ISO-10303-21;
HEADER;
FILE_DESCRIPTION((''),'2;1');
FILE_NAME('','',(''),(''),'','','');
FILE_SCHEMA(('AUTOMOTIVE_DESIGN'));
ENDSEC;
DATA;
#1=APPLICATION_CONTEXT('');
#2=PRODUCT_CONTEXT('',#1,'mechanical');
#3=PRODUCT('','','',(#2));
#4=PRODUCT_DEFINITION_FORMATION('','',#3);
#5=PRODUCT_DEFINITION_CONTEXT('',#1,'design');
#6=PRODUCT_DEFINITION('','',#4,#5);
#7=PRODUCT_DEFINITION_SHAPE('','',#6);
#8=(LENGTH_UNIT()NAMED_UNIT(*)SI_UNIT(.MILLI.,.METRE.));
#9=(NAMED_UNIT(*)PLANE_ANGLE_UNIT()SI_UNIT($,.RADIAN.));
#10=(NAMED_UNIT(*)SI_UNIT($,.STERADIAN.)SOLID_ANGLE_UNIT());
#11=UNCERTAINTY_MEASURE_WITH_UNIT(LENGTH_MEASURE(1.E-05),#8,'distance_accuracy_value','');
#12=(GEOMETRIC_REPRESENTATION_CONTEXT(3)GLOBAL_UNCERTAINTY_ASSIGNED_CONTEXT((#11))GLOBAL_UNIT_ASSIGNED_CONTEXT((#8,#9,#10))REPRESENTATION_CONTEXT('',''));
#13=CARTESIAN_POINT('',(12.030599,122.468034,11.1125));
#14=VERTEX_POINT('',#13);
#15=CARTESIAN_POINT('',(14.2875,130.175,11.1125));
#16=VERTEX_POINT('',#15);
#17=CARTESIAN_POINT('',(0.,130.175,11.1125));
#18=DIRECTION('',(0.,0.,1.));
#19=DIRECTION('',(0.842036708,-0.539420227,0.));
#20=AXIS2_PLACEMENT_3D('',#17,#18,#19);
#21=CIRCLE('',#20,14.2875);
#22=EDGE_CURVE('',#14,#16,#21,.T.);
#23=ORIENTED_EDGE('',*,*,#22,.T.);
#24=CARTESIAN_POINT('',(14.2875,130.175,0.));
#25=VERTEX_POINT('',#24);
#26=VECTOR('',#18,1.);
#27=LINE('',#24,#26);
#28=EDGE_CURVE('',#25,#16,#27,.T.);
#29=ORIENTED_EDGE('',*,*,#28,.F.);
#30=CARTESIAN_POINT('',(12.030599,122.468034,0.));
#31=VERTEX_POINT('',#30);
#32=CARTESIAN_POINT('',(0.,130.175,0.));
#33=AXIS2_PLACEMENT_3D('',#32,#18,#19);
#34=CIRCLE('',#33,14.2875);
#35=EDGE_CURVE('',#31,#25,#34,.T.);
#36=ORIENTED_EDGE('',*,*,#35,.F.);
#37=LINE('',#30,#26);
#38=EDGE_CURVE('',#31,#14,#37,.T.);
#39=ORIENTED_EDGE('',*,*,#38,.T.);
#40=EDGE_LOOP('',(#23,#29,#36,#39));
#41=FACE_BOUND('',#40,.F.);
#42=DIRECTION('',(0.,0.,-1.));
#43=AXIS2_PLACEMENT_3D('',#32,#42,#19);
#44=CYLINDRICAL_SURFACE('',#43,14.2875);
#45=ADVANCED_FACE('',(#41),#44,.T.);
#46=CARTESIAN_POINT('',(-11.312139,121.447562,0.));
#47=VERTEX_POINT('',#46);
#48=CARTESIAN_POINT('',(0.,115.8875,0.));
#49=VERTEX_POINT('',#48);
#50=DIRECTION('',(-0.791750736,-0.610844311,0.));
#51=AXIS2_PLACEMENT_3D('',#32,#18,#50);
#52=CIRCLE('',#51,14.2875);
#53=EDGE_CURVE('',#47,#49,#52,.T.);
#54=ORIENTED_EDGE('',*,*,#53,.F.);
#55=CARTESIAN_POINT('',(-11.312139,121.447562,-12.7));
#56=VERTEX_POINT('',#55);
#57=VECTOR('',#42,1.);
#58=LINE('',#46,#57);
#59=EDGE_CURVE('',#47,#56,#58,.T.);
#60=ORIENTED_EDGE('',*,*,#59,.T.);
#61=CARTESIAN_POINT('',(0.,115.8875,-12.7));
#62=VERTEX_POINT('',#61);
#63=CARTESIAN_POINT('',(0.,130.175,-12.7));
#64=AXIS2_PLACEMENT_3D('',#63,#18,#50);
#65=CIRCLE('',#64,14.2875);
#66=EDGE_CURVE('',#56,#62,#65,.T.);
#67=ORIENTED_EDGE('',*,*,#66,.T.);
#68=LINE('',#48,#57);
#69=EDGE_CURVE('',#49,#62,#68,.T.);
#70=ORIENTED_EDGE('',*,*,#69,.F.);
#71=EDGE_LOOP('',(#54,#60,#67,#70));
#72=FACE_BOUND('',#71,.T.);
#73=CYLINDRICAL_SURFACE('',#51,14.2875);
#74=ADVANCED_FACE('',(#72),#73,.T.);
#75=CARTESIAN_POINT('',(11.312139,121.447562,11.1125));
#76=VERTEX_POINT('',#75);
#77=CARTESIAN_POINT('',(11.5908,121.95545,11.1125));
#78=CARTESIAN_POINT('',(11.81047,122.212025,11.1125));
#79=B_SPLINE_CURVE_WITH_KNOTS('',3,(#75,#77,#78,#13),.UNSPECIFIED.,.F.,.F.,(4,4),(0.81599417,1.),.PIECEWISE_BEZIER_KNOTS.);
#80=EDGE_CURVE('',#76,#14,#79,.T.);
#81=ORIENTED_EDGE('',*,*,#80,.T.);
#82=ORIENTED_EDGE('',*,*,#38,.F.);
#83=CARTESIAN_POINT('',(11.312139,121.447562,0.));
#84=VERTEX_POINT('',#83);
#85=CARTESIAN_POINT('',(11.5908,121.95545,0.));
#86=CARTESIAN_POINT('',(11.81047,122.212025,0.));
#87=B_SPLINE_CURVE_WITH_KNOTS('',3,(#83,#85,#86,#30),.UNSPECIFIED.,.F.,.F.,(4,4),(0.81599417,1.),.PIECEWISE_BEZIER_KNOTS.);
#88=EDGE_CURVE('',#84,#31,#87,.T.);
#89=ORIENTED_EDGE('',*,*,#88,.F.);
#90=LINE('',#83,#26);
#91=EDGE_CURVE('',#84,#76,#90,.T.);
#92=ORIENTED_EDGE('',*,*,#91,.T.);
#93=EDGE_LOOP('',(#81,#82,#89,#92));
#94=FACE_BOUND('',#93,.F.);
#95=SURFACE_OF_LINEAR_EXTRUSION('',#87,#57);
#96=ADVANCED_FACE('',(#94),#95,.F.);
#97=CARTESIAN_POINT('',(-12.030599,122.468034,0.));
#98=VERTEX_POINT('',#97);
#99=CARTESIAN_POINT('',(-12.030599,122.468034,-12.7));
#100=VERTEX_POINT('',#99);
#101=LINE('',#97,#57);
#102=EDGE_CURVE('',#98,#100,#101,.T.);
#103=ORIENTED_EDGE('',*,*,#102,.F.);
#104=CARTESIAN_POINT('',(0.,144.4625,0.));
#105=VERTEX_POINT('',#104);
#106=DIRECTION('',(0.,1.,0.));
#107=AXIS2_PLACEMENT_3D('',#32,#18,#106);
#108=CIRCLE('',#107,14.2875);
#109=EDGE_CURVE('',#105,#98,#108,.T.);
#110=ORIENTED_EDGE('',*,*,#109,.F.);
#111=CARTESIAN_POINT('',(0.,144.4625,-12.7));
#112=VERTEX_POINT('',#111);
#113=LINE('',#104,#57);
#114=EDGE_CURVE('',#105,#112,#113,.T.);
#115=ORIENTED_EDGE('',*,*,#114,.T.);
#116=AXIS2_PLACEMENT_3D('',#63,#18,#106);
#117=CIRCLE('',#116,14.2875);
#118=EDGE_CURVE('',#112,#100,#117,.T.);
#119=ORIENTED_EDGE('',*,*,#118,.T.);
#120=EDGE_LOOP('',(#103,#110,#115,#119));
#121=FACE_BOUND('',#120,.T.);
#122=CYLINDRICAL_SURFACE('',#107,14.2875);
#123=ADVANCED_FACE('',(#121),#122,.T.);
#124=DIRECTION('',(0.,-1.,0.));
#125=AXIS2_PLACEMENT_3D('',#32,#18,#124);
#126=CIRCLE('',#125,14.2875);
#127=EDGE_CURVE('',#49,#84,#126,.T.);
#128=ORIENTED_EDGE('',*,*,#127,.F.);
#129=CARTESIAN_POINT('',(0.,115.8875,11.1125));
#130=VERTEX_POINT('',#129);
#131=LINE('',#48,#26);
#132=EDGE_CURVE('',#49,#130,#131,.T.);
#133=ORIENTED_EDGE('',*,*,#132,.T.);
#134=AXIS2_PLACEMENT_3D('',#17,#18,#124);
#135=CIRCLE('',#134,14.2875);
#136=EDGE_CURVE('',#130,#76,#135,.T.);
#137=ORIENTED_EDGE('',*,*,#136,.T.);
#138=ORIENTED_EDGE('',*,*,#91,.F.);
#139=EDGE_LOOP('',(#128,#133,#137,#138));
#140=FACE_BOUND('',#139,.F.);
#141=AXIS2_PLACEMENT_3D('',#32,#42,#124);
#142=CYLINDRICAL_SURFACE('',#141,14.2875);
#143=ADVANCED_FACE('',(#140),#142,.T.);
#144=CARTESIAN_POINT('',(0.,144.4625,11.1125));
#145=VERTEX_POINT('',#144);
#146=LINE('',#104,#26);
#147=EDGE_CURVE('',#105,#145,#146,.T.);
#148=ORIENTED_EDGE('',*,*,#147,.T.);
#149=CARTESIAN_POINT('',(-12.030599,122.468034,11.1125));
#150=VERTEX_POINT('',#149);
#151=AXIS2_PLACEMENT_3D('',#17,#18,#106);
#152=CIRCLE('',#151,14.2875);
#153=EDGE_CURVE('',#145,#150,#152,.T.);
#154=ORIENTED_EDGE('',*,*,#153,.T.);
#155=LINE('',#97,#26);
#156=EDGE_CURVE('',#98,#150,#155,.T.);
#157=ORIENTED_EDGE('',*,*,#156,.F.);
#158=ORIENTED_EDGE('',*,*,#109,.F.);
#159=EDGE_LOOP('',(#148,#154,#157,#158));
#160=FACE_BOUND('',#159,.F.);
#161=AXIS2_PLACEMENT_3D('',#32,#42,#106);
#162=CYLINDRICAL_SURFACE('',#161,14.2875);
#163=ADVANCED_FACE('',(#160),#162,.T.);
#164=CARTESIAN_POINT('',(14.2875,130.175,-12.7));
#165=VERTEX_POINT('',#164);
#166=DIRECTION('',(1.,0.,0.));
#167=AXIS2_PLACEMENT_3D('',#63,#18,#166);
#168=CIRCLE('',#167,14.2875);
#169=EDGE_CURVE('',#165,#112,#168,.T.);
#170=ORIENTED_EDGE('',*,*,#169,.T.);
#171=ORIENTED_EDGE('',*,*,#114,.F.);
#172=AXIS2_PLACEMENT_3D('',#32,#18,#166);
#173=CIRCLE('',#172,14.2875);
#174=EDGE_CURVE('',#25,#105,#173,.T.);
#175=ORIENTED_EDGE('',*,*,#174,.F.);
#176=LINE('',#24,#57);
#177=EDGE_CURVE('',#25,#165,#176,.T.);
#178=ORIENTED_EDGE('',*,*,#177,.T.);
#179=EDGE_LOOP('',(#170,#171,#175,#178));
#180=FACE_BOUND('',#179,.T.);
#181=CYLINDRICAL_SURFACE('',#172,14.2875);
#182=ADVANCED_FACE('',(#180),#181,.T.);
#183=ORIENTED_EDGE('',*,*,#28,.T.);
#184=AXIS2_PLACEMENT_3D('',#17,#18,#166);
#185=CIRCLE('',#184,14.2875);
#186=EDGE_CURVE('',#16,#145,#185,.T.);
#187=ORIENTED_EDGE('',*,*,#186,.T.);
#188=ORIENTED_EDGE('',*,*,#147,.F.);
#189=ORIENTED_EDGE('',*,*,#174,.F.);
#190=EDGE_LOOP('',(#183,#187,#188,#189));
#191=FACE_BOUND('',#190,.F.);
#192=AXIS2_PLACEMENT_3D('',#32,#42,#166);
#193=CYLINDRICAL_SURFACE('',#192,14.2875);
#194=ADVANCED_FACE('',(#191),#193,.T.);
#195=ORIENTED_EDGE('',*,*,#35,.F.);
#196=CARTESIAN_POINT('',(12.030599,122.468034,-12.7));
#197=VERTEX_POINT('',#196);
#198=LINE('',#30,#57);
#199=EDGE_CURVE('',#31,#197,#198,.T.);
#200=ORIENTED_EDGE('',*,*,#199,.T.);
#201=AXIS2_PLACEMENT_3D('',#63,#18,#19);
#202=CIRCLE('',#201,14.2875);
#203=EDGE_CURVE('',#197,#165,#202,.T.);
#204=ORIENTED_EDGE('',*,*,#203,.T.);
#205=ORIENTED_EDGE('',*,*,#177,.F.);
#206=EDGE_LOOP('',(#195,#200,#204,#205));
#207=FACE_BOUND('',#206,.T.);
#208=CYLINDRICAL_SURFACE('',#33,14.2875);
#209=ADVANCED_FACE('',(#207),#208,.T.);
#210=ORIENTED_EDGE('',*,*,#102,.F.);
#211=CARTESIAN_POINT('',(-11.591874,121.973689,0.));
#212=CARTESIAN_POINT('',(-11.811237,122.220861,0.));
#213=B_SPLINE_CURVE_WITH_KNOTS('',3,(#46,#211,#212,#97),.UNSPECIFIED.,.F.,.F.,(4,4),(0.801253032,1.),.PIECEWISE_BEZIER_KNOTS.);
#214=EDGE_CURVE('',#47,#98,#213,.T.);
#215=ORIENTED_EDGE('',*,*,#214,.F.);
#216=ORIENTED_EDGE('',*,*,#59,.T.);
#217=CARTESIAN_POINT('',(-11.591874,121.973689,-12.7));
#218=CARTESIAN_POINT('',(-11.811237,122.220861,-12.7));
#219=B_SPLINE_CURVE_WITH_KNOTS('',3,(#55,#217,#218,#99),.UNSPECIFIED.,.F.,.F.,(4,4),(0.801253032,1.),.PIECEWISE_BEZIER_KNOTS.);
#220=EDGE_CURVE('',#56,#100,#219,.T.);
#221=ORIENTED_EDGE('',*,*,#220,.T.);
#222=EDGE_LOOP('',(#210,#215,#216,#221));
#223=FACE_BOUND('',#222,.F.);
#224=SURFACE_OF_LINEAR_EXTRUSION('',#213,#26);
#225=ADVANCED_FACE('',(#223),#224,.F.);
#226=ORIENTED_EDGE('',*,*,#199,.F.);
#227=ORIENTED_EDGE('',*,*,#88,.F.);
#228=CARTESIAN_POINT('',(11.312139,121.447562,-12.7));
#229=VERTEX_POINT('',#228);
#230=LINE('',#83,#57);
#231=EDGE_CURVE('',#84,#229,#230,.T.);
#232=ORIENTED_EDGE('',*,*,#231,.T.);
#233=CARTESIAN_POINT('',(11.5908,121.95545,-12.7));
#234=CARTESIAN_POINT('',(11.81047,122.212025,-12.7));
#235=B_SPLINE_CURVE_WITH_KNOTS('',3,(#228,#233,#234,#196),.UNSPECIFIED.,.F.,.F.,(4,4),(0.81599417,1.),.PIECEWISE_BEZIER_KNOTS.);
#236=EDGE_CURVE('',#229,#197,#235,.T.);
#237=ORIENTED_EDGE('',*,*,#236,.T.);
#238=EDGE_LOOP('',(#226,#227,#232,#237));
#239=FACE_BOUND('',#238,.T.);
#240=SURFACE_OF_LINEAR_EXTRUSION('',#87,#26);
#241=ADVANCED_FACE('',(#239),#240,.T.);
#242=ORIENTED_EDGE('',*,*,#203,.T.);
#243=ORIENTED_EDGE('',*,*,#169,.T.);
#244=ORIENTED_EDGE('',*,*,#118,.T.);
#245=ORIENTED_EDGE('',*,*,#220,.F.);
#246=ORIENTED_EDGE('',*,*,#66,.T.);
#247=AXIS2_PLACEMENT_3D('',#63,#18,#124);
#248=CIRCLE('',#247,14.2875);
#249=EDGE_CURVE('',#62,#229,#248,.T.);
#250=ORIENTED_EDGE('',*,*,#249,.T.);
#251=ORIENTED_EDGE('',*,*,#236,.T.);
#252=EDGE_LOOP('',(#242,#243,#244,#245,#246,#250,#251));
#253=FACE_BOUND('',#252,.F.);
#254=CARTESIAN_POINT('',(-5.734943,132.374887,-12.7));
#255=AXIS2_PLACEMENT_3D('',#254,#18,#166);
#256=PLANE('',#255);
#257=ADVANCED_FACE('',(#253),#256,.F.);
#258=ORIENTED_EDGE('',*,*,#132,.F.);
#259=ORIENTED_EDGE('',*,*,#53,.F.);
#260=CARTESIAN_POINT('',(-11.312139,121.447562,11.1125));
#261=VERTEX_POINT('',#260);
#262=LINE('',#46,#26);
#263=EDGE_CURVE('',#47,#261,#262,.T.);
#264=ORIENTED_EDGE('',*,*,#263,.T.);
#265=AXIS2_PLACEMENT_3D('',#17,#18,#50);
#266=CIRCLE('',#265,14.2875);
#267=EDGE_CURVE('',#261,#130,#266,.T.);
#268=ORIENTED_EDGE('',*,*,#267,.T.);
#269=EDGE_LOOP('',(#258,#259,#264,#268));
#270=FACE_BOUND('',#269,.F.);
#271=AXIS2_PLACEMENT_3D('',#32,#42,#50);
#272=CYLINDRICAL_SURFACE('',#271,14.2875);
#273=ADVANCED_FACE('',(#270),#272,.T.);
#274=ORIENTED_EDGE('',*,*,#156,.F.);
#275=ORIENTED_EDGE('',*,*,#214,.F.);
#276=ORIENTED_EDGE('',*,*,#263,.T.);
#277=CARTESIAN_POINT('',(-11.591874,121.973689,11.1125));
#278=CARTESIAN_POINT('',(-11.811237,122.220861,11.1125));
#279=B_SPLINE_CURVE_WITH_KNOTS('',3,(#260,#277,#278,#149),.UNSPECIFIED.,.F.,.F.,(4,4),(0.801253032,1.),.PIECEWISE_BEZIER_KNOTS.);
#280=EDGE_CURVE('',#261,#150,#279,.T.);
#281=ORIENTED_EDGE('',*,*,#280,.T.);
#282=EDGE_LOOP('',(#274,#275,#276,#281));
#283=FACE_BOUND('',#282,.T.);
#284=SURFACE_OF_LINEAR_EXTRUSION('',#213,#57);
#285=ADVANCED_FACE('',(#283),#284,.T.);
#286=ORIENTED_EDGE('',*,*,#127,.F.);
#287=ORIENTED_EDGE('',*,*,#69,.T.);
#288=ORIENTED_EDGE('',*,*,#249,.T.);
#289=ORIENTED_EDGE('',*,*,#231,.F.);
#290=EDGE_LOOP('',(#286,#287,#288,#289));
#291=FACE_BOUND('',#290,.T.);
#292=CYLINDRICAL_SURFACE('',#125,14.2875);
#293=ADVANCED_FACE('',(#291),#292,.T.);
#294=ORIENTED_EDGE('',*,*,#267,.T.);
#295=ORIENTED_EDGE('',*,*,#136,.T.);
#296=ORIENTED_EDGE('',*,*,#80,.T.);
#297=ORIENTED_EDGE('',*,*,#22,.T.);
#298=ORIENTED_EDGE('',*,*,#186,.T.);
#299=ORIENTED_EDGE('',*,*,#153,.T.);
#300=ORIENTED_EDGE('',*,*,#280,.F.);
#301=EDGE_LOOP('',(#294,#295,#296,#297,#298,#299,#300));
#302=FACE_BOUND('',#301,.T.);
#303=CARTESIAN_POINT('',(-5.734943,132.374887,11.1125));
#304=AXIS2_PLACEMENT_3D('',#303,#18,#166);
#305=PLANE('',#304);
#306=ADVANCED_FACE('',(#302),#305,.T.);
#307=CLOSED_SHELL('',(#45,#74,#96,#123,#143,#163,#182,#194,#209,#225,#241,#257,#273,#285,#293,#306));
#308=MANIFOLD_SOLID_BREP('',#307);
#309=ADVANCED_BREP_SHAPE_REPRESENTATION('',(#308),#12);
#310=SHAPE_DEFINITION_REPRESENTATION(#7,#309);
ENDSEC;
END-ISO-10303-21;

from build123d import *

# Parameters (mm, degrees)
F1_DEPTH      = 11.1125
F1_DEPTH_BACK = 12.7


with BuildPart() as f1:
    # F0 (on Top) → F1 (new body, two sides)
    with BuildSketch(Plane.XY) as f1_sk:
        with BuildLine():
            Line((-12.0305994716, 122.4680335018), (0, 122.4680335018))
            Line((0, 122.4680335018), (0, 130.175))
            Line((0, 130.175), (0, 144.4625))
            ThreePointArc((0, 144.4625), (-12.5348701647, 137.031361003), (-12.0305994716, 122.4680335018))
        make_face()
        with BuildLine():
            Line((0, 122.4680335018), (12.0305994716, 122.4680335018))
            ThreePointArc((12.0305994716, 122.4680335018), (13.7116710543, 126.1596876647), (14.2875, 130.175))
            ThreePointArc((14.2875, 130.175), (10.1027881362, 140.2777881362), (0, 144.4625))
            Line((0, 144.4625), (0, 130.175))
            Line((0, 130.175), (0, 122.4680335018))
        make_face()
        with BuildLine():
            Line((0, 121.4475619108), (11.3121386417, 121.4475619108))
            add(Edge.make_bspline(
                [(11.3121386417, 121.4475619108), (11.5908004817, 121.9554496525), (11.8104700009, 122.2120245631), (12.0305994716, 122.4680335018)],
                knots=[0.8159941702, 0.8159941702, 0.8159941702, 0.8159941702, 1, 1, 1, 1], degree=3))
            Line((12.0305994716, 122.4680335018), (0, 122.4680335018))
            Line((0, 122.4680335018), (0, 121.4475619108))
        make_face()
        with BuildLine():
            Line((0, 121.4475619108), (0, 115.8875))
            ThreePointArc((0, 115.8875), (6.3023560892, 117.3526381281), (11.3121386417, 121.4475619108))
            Line((11.3121386417, 121.4475619108), (0, 121.4475619108))
        make_face()
        with BuildLine():
            Line((-11.3121386417, 121.4475619108), (0, 121.4475619108))
            Line((0, 121.4475619108), (0, 122.4680335018))
            Line((0, 122.4680335018), (-12.0305994716, 122.4680335018))
            add(Edge.make_bspline(
                [(-11.3121386417, 121.4475619108), (-11.5918742826, 121.9736892928), (-11.8112368771, 122.2208613973), (-12.0305994716, 122.4680335018)],
                knots=[0.8012530317, 0.8012530317, 0.8012530317, 0.8012530317, 1, 1, 1, 1], degree=3))
        make_face()
        with BuildLine():
            ThreePointArc((-11.3121386417, 121.4475619108), (-6.3023560892, 117.3526381281), (0, 115.8875))
            Line((0, 115.8875), (0, 121.4475619108))
            Line((0, 121.4475619108), (-11.3121386417, 121.4475619108))
        make_face()
    extrude(amount=F1_DEPTH)
    extrude(f1_sk.sketch, amount=-F1_DEPTH_BACK)


solid = f1.part
